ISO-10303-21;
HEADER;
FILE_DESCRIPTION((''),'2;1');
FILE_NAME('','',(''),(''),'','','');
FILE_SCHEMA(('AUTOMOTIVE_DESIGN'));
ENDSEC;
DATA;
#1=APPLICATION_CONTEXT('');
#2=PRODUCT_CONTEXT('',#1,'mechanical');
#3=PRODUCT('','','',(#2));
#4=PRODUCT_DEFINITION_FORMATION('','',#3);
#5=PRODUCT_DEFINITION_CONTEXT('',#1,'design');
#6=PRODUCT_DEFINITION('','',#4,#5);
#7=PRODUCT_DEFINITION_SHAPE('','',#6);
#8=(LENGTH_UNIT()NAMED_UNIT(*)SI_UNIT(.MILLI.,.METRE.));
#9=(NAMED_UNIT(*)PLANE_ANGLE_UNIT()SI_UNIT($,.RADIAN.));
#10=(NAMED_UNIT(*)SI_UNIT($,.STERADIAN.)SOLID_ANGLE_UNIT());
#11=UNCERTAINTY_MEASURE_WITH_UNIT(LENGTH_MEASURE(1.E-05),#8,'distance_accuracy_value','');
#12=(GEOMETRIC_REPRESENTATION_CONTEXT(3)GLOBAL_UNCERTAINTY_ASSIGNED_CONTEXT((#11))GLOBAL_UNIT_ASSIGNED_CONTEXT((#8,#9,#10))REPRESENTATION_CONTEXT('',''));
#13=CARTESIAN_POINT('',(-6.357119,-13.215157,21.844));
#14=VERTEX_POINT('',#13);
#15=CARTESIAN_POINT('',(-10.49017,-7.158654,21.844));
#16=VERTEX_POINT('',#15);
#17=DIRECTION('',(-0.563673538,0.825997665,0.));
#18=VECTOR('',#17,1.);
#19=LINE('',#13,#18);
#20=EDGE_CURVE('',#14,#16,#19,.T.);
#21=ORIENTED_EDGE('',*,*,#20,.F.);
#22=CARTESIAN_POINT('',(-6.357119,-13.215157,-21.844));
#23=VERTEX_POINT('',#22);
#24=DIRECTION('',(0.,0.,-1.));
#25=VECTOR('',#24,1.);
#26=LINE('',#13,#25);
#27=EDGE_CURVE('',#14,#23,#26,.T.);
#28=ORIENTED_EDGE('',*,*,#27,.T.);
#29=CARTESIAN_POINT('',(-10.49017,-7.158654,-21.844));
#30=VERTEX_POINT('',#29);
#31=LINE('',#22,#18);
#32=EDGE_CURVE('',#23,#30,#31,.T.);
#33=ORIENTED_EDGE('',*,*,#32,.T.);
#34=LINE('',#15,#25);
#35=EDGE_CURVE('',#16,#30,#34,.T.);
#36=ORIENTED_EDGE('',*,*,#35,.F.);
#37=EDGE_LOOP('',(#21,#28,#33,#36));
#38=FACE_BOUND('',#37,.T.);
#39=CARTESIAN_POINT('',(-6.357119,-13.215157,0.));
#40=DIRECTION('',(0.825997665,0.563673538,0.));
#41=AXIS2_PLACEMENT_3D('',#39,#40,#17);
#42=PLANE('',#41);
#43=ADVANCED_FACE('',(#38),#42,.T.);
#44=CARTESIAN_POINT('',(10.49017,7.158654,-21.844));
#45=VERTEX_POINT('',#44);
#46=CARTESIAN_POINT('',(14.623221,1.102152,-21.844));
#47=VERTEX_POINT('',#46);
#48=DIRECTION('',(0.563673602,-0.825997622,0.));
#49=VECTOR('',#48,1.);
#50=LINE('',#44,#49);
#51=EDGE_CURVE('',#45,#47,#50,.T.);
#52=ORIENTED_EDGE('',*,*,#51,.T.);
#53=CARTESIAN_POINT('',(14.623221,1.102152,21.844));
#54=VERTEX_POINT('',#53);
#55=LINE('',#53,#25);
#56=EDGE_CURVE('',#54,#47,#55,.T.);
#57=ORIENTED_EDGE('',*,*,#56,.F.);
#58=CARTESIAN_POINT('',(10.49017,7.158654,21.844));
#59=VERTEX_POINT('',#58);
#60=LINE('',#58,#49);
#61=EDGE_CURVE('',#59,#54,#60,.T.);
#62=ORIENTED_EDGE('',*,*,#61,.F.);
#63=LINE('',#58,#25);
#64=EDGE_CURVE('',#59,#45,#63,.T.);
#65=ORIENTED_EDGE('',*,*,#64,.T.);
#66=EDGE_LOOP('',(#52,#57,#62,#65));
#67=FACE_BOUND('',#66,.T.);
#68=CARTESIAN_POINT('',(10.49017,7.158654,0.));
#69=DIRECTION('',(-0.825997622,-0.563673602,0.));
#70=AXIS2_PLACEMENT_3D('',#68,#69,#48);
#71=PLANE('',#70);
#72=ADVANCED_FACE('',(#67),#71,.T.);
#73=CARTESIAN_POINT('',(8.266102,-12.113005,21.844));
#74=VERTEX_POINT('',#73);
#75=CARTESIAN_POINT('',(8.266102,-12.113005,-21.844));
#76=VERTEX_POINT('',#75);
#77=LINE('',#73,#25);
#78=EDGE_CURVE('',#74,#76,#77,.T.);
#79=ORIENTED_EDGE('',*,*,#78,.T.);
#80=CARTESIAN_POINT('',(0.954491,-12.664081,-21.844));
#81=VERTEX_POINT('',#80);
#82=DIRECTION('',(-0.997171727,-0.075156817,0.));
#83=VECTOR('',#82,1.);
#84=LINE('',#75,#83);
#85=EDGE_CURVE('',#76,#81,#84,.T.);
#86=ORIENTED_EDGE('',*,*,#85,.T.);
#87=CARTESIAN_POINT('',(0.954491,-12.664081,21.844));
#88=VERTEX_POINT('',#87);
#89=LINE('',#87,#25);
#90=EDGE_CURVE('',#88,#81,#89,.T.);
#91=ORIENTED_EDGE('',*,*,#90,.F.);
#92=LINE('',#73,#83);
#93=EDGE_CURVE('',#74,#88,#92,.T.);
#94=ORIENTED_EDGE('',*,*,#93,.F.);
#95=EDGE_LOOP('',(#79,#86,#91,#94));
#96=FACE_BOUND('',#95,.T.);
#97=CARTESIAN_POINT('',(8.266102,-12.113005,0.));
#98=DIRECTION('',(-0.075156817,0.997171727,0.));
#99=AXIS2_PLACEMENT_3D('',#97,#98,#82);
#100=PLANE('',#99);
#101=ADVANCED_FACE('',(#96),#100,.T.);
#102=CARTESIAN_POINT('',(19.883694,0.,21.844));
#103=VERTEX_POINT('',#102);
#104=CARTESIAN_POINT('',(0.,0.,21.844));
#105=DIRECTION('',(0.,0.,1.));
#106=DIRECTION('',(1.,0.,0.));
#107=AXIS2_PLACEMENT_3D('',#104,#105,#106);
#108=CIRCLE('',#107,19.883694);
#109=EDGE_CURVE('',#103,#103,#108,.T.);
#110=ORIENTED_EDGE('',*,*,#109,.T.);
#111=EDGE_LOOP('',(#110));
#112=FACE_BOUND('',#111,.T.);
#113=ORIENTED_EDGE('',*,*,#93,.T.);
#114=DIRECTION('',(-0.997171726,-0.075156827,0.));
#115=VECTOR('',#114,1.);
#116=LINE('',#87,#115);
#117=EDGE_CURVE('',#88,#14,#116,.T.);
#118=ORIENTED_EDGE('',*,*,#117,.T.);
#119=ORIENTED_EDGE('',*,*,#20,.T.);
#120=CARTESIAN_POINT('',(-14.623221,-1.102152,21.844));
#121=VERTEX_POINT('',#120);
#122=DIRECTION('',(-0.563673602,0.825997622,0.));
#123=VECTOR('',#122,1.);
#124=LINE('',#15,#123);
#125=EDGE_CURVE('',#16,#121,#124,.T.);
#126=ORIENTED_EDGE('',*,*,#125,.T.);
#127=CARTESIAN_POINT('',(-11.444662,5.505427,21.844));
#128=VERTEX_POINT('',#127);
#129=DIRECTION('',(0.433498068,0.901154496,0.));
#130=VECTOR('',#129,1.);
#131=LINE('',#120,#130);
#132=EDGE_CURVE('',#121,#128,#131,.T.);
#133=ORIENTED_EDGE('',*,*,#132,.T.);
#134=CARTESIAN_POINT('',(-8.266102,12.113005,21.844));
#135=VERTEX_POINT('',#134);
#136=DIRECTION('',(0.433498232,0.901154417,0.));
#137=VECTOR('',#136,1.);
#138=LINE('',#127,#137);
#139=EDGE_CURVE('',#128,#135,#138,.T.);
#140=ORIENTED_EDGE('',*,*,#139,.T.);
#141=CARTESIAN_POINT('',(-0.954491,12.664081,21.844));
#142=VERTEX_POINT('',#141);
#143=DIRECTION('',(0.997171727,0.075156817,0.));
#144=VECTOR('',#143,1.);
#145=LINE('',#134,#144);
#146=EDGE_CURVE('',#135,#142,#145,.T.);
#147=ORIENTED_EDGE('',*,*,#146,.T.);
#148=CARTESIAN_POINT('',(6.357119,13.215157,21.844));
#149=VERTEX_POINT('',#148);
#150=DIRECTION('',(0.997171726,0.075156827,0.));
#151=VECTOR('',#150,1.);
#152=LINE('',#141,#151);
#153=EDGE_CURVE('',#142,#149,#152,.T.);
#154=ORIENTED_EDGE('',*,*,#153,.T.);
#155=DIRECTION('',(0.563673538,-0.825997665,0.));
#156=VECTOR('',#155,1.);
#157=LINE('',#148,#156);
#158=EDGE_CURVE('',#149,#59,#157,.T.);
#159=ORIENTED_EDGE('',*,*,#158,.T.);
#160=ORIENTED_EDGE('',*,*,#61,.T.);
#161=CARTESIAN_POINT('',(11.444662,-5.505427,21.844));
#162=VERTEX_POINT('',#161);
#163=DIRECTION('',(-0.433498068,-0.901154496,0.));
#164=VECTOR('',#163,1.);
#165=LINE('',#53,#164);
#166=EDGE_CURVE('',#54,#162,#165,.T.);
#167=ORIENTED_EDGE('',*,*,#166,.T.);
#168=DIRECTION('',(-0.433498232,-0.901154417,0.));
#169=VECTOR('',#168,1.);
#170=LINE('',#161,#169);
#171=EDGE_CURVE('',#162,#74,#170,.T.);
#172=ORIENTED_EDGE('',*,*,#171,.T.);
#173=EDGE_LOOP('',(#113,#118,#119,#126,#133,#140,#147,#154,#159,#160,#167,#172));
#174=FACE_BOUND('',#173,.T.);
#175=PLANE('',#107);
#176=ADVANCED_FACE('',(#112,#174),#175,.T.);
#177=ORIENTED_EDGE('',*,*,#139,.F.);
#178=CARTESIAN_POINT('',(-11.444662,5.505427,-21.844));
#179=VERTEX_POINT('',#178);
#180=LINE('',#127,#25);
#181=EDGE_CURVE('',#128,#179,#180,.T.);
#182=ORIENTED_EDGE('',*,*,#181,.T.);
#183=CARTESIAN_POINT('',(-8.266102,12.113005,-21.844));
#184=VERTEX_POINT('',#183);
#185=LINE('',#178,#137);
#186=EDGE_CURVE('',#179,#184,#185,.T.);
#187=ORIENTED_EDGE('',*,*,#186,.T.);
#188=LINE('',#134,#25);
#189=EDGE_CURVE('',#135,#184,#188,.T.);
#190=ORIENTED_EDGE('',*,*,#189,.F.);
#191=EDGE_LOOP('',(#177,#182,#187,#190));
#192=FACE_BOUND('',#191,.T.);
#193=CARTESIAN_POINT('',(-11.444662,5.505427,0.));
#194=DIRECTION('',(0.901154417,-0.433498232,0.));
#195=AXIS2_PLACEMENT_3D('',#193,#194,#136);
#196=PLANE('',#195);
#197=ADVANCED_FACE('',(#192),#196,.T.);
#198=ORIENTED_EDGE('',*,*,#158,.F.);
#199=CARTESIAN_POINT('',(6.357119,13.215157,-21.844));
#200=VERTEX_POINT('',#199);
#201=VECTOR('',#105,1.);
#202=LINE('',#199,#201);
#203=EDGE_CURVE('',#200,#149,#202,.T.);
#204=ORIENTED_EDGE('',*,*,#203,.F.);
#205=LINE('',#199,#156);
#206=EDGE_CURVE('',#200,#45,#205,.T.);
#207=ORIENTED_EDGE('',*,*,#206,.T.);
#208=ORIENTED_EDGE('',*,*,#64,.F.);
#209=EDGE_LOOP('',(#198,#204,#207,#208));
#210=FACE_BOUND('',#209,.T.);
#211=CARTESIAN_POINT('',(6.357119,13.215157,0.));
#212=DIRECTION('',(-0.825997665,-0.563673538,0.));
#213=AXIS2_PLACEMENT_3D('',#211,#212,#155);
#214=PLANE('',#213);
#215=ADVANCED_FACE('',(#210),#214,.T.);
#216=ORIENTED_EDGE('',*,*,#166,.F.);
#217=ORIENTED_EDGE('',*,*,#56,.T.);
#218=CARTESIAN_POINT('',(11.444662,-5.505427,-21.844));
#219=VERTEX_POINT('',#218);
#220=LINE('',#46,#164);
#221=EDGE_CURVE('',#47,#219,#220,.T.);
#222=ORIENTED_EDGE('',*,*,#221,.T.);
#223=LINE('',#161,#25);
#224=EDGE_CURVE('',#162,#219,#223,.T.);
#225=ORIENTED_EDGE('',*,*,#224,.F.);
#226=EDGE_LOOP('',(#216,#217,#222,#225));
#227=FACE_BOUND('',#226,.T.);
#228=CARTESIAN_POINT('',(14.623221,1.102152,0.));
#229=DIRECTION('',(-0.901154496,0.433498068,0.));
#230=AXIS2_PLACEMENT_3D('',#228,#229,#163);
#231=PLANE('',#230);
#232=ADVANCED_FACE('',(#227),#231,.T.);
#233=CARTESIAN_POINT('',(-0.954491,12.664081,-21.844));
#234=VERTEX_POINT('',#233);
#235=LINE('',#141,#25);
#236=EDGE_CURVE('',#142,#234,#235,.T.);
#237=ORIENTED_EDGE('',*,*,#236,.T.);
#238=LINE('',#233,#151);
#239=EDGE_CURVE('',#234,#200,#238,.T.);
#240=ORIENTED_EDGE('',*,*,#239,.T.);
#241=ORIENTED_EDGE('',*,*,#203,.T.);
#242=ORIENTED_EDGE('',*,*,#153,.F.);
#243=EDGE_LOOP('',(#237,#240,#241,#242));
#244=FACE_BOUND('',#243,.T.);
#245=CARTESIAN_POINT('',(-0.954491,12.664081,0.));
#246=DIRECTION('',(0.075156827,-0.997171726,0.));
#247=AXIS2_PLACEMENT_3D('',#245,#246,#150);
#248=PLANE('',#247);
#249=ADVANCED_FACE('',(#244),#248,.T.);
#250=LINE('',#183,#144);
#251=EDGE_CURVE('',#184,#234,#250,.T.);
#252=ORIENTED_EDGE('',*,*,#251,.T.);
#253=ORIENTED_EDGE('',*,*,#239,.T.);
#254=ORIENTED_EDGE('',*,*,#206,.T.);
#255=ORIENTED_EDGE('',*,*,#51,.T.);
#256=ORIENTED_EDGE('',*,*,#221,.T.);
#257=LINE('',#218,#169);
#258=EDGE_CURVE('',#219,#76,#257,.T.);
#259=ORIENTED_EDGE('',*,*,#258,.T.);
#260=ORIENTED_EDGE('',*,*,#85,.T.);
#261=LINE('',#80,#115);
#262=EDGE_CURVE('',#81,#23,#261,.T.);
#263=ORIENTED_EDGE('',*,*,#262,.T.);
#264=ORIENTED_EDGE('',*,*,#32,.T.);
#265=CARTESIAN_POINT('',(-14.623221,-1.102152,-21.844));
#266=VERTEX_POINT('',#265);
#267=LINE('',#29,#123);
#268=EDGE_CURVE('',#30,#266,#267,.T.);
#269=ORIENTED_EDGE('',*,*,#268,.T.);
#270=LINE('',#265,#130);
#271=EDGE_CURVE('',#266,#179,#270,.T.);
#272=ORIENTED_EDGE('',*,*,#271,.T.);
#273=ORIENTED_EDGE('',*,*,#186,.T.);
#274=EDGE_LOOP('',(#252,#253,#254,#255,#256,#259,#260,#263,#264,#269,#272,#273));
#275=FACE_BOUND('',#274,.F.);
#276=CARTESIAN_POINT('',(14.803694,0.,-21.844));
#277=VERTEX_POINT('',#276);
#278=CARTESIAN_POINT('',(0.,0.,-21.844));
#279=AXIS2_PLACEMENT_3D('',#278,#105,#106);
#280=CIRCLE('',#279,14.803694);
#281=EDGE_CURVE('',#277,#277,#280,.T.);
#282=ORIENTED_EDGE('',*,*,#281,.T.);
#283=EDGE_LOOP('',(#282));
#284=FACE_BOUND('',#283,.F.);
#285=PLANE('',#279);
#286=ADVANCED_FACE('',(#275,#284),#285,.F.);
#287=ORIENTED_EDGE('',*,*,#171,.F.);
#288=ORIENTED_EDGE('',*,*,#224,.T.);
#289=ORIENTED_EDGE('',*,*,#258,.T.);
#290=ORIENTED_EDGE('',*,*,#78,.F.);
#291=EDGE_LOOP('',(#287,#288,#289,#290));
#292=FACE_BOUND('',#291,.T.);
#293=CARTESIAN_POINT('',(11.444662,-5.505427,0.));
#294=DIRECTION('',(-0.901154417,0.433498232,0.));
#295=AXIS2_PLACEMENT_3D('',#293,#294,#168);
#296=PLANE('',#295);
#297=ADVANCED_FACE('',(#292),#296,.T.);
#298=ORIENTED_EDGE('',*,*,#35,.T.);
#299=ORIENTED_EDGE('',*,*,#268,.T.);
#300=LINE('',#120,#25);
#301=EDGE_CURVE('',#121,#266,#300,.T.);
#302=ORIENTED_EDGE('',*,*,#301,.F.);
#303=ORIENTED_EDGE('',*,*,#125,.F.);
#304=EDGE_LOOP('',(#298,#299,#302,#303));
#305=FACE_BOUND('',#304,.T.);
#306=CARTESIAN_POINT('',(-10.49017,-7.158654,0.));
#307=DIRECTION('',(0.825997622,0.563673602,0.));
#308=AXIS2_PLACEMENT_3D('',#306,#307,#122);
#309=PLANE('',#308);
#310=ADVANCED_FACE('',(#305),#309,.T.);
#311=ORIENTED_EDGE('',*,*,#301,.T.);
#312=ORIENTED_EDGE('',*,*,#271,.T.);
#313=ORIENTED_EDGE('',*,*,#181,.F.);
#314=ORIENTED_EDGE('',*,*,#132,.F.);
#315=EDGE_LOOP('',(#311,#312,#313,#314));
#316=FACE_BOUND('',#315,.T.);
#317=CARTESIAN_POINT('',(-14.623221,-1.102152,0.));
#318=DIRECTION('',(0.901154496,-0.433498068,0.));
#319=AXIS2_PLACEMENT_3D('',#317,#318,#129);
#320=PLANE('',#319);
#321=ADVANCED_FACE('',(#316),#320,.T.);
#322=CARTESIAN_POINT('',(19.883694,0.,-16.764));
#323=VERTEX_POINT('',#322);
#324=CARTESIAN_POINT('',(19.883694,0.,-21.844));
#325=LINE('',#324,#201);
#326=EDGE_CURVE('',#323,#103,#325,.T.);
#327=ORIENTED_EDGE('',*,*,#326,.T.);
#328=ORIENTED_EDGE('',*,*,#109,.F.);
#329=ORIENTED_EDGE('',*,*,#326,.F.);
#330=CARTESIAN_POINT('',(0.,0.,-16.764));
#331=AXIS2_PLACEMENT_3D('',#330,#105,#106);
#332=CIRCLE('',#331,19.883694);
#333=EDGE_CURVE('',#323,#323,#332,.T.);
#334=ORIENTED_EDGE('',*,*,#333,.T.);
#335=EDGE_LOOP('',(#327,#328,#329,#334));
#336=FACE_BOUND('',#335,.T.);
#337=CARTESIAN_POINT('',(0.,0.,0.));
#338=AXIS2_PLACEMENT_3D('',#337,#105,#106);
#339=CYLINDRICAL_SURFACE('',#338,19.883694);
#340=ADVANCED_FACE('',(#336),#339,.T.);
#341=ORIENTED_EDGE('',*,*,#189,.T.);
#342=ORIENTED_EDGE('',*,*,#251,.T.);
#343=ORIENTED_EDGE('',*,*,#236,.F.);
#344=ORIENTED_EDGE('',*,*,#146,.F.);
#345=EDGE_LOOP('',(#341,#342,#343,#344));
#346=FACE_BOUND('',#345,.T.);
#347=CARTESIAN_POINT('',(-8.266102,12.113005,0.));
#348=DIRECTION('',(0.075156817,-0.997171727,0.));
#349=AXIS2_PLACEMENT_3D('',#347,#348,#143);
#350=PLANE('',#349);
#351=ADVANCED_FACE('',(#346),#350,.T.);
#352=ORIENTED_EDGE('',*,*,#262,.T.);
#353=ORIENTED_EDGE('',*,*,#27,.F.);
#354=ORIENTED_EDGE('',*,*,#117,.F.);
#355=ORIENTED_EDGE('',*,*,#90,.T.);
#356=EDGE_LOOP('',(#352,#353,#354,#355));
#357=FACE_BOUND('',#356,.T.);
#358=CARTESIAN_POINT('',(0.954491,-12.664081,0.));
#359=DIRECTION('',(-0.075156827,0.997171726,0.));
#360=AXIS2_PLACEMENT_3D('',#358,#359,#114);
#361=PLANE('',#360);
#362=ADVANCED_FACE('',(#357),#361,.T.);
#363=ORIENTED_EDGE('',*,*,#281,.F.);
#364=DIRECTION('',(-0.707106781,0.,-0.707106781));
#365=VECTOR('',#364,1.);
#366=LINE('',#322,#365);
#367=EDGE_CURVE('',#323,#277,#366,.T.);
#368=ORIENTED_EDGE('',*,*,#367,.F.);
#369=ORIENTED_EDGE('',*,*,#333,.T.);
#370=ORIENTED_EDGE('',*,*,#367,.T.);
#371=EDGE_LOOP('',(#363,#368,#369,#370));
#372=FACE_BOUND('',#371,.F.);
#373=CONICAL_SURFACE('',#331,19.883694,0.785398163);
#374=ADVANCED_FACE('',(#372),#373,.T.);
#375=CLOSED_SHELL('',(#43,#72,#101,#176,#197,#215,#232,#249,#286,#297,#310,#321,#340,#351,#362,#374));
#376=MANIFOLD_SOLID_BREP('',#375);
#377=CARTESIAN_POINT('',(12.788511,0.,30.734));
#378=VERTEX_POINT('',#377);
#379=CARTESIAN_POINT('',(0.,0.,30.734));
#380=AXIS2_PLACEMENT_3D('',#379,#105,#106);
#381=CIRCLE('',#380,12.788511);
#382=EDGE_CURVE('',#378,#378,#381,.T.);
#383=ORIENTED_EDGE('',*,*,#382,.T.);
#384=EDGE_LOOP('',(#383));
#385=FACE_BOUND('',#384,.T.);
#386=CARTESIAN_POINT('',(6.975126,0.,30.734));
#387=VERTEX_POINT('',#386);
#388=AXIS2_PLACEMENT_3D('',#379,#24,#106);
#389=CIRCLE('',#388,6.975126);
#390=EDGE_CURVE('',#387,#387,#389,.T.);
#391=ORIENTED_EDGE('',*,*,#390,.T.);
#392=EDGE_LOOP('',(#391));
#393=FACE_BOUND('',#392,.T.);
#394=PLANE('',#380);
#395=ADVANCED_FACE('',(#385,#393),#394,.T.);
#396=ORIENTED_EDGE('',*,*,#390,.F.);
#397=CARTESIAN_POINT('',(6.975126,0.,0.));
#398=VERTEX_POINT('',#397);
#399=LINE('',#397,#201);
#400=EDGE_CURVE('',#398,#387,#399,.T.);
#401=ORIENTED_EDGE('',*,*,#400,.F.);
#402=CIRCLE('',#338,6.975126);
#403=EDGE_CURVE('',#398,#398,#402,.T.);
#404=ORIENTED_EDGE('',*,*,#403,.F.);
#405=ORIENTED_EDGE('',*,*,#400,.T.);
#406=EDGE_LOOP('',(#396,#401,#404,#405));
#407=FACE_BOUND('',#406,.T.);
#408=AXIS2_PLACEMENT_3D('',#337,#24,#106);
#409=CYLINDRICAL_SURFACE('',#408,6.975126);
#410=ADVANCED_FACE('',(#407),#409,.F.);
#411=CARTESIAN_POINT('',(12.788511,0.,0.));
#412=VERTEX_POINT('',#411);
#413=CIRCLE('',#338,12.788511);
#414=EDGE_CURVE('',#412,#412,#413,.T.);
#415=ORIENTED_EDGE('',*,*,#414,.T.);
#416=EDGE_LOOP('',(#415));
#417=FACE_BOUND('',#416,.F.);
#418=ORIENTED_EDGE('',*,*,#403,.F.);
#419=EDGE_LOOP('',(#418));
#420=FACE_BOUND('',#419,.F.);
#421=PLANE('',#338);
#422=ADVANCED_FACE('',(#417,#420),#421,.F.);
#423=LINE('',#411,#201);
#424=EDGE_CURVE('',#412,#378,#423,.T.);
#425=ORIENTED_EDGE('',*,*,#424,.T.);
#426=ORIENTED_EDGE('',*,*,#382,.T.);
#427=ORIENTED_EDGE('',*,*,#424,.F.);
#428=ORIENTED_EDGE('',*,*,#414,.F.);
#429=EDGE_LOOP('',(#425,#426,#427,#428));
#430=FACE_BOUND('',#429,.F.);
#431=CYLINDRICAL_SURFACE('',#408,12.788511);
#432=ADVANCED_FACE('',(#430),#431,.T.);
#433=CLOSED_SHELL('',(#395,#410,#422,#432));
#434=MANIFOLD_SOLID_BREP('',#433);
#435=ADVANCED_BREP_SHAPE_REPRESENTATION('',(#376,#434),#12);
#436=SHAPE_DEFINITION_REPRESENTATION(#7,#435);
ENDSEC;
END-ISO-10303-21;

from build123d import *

# Parameters (mm, degrees)
F0_R     = 19.883694
F1_DEPTH = 21.844
F2_SIZE  = 5.08
F4_R     = 12.788511
F5_DEPTH = 30.734
F3_R     = 6.975126
F6_DEPTH = 48.768


with BuildPart() as f1:
    # F0 (on Top) → F1 (new body, symmetric)
    with BuildSketch(Plane.XY):
        Circle(F0_R)
        Polygon((6.357119, 13.215157), (10.49017, 7.158654), (14.623221, 1.102152), (11.444662, -5.505427), (8.266102, -12.113005), (0.954491, -12.664081), (-6.357119, -13.215157), (-10.49017, -7.158654), (-14.623221, -1.102152), (-11.444662, 5.505427), (-8.266102, 12.113005), (-0.954491, 12.664081), align=None, mode=Mode.SUBTRACT)
    extrude(amount=F1_DEPTH, both=True)

    # F2
    f2_edges = [f1.edges().sort_by_distance(p)[0] for p in [
        (-19.883694, 0, -21.844),
    ]]
    chamfer(f2_edges, length=F2_SIZE)


with BuildPart() as f5:
    # F4 (on face) → F5 (new body)
    with BuildSketch(Plane.XY):
        Circle(F4_R)
    extrude(amount=F5_DEPTH)

    # F3 (on face) → F6 (cut)
    with BuildSketch(Plane.XY):
        Circle(F3_R)
    extrude(amount=F6_DEPTH, mode=Mode.SUBTRACT)


solid = Compound([f1.part, f5.part])
